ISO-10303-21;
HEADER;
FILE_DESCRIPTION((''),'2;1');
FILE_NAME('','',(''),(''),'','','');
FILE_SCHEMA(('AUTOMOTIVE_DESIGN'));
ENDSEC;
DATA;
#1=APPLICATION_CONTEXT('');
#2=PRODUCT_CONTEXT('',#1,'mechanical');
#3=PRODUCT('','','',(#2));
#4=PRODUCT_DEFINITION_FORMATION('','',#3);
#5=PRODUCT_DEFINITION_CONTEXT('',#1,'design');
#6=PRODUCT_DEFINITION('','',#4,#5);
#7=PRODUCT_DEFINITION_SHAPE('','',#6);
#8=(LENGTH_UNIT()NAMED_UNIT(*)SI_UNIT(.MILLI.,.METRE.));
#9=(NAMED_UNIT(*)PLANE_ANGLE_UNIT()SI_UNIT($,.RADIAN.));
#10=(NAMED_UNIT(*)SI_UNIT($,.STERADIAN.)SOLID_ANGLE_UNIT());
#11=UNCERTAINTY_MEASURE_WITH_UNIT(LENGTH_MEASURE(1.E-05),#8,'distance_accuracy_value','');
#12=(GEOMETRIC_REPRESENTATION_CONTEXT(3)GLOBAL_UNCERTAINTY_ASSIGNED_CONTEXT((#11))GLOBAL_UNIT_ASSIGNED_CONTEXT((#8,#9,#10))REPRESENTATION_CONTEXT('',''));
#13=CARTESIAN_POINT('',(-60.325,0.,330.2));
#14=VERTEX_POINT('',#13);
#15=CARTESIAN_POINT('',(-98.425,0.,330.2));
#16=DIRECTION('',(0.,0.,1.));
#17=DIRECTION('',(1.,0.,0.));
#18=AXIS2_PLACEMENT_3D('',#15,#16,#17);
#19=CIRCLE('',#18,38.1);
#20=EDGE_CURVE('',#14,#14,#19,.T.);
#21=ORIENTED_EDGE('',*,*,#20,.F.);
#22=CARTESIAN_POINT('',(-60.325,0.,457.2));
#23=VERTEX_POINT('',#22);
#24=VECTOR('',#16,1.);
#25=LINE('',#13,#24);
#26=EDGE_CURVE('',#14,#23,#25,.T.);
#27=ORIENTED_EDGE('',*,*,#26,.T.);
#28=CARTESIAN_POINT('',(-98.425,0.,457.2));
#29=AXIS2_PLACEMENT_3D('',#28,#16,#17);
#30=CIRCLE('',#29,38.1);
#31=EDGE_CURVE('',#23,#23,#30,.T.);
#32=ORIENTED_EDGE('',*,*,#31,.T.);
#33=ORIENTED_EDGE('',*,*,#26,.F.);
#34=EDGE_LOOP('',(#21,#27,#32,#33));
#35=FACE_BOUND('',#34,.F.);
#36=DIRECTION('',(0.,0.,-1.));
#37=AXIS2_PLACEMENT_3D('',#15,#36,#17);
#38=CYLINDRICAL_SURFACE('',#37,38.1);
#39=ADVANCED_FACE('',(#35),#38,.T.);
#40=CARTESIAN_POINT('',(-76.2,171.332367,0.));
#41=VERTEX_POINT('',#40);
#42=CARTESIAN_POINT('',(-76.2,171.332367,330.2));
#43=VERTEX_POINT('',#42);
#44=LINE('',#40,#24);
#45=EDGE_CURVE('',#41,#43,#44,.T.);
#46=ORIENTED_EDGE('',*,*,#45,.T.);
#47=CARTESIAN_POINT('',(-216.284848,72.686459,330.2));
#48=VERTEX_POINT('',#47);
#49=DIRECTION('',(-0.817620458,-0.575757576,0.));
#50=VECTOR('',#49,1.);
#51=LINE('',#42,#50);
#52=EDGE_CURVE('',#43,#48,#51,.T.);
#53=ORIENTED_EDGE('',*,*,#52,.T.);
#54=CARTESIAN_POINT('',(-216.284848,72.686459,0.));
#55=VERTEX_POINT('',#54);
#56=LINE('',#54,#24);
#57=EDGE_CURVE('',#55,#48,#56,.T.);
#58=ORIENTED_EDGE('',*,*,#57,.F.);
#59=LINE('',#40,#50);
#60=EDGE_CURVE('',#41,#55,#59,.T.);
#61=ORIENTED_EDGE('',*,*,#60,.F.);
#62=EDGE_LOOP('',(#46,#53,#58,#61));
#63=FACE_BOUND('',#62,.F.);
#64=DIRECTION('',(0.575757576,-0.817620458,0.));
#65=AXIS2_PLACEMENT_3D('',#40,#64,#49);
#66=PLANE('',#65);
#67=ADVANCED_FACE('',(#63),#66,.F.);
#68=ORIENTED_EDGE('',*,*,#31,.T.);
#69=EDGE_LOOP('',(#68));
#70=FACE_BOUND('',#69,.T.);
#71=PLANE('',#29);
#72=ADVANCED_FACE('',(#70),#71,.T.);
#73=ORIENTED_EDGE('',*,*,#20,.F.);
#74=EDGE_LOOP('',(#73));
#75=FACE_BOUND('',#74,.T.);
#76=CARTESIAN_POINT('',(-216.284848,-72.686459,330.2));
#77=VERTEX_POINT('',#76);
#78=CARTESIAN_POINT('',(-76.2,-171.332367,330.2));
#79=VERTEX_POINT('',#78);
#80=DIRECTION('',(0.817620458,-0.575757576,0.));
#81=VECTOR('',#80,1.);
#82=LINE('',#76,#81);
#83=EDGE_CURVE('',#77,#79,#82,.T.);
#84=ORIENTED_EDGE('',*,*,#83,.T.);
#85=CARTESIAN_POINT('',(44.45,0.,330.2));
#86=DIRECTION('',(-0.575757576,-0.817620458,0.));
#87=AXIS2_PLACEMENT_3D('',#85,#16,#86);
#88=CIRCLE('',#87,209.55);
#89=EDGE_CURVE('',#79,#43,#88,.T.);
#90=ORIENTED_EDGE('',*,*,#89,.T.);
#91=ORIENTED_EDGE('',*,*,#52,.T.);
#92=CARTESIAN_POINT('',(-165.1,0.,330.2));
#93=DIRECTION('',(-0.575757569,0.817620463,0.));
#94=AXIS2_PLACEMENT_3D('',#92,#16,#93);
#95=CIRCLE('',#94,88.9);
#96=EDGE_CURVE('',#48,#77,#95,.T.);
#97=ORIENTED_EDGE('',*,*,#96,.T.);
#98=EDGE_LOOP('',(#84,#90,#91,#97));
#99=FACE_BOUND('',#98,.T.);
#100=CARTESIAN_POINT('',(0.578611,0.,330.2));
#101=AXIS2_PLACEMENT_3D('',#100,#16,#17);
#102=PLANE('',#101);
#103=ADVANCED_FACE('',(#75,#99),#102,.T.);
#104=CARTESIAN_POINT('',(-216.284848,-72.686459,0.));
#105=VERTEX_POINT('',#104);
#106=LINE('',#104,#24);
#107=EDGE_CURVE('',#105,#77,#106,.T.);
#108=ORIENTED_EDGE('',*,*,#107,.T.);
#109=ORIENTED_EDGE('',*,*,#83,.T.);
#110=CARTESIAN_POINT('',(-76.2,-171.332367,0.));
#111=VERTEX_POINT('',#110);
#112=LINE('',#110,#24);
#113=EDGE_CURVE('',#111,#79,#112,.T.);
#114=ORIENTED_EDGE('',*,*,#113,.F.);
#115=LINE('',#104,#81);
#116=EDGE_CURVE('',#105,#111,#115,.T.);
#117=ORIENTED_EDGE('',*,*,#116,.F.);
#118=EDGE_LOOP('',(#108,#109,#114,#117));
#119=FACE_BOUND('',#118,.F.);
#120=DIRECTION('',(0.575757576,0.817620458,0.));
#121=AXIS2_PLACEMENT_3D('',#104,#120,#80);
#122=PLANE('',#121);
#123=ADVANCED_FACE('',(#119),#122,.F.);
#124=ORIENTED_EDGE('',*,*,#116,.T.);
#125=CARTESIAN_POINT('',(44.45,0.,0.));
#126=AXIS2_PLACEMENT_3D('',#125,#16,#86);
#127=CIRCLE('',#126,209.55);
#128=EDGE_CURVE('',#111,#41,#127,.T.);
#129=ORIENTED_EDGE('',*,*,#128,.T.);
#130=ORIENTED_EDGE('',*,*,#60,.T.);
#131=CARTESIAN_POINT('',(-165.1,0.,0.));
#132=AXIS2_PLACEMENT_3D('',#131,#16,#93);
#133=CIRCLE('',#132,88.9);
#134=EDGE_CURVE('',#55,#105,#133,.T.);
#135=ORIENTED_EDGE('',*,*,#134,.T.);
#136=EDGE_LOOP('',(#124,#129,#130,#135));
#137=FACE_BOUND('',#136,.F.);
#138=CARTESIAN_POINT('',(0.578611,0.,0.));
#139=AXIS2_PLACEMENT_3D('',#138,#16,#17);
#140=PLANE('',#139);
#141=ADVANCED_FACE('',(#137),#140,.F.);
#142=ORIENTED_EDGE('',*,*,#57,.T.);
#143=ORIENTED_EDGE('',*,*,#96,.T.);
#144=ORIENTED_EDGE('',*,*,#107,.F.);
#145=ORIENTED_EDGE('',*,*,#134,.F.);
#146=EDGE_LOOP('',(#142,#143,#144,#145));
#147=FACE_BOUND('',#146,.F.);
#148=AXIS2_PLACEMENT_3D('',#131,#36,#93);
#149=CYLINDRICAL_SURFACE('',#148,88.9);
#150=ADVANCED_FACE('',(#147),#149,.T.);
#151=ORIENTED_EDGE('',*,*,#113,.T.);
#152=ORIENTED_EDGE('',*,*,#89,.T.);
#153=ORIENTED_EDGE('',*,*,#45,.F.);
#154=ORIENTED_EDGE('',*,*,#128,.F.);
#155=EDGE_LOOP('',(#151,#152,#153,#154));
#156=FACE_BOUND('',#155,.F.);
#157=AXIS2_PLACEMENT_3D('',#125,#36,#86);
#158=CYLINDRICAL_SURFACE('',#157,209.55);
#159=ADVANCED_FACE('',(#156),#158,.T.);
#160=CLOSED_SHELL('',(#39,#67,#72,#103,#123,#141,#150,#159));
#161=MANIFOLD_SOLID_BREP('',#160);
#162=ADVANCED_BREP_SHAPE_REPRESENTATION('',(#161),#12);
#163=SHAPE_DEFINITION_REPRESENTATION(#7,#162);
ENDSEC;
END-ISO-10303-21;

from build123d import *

# Parameters (mm, degrees)
F1_DEPTH = 330.2
F2_R     = 38.1
F3_DEPTH = 127


with BuildPart() as f1:
    # F0 (on Top) → F1 (new body)
    with BuildSketch(Plane.XY):
        with BuildLine():
            Line((-216.284848, -72.686459), (-76.2, -171.332367))
            ThreePointArc((-76.2, -171.332367), (254, 0), (-76.2, 171.332367))
            Line((-76.2, 171.332367), (-216.284848, 72.686459))
            ThreePointArc((-216.284848, 72.686459), (-254, 0), (-216.284848, -72.686459))
        make_face()
    extrude(amount=F1_DEPTH)

    # F2 (on face) → F3 (join)
    with BuildSketch(Plane.XY.offset(330.2)):
        with Locations((-98.425, 0)):
            Circle(F2_R)
    extrude(amount=F3_DEPTH)


solid = f1.part
